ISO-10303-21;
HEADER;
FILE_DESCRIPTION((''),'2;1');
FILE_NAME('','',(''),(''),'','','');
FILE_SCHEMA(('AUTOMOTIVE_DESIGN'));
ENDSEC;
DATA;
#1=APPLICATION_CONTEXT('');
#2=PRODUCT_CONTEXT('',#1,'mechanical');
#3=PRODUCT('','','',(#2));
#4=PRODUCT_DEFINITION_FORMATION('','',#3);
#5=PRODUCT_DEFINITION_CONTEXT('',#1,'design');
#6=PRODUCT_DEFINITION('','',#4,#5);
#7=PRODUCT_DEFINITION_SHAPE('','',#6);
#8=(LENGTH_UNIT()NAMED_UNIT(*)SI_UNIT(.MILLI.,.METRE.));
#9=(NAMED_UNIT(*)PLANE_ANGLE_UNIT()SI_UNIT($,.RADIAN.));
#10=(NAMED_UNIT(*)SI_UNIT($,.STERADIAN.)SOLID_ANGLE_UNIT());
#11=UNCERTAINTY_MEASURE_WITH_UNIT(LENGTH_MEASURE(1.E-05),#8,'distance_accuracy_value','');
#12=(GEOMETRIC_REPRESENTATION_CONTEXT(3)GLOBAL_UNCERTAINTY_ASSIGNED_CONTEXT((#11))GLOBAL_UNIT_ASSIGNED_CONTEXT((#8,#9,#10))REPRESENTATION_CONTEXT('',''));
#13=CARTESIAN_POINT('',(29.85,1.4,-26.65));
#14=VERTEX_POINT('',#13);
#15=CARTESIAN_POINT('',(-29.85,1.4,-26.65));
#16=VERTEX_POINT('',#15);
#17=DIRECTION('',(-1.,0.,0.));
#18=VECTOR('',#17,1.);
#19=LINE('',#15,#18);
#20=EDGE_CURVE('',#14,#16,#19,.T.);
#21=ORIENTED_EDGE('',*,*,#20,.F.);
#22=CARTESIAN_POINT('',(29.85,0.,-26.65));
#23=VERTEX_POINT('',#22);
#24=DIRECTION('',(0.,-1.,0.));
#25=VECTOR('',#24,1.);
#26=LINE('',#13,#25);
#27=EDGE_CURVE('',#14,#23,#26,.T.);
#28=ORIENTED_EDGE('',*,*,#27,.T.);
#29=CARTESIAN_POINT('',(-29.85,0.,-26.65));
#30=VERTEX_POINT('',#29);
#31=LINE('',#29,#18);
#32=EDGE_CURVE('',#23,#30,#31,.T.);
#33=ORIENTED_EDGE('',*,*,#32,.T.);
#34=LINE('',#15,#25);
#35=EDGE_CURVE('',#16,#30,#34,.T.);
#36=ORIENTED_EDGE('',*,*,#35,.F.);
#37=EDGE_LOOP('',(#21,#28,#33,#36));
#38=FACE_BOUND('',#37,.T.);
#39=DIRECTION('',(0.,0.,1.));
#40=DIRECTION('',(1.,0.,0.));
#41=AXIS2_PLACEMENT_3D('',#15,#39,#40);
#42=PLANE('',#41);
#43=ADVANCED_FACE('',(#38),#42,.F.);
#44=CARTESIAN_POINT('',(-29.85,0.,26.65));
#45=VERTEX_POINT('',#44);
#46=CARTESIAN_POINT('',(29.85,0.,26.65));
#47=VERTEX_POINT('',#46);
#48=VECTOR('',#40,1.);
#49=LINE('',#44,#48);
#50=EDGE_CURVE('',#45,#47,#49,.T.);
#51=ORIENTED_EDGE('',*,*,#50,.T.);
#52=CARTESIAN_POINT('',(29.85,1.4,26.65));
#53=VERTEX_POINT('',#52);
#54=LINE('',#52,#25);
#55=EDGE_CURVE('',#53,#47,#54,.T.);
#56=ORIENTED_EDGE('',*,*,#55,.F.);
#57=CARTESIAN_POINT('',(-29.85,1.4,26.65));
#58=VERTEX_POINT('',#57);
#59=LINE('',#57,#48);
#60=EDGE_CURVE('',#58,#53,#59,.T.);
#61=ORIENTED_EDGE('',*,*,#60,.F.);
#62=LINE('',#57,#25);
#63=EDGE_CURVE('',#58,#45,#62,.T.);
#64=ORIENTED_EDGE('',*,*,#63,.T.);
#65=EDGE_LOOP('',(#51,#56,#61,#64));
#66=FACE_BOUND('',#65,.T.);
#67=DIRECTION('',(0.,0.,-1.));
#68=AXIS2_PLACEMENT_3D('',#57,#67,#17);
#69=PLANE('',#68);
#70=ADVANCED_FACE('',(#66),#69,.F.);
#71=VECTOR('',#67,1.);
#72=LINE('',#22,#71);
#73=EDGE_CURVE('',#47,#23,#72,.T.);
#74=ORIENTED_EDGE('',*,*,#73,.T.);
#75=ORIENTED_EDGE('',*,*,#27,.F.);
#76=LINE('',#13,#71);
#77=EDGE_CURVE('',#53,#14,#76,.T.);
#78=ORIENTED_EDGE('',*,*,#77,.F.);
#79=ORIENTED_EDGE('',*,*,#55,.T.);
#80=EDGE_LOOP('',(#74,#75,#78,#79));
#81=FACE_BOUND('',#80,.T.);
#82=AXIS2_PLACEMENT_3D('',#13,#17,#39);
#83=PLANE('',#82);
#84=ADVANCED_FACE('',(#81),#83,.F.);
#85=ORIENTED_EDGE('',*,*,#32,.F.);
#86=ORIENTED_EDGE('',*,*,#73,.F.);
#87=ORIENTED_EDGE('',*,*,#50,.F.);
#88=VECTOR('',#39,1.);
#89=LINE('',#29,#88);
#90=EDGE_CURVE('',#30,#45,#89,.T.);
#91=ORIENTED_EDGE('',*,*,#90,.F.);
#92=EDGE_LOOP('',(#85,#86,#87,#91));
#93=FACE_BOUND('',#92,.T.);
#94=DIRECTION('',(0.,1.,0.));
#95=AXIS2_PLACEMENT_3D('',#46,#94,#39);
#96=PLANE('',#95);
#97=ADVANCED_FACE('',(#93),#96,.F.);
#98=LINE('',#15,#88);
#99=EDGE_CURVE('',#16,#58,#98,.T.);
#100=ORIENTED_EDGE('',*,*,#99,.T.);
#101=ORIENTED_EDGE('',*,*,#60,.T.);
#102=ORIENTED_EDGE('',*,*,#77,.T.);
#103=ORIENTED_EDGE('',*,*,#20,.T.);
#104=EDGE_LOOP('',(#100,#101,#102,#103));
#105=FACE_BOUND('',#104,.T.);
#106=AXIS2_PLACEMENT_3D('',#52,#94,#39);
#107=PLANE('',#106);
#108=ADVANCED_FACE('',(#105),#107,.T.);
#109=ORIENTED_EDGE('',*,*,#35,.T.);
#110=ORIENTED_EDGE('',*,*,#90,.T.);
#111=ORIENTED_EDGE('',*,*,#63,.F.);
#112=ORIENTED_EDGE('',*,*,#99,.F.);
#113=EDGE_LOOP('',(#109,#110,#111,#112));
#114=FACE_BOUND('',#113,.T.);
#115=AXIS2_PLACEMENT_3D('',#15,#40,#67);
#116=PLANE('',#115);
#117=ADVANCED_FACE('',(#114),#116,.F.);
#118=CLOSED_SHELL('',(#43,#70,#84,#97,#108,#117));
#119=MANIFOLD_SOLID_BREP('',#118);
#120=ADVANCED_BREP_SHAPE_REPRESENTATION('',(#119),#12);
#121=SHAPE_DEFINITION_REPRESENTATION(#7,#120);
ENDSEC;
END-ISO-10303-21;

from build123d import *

# Parameters (mm, degrees)
SKETCH1_W      = 59.7
SKETCH1_H      = 53.3
EXTRUDE1_DEPTH = 1.4


with BuildPart() as part:
    # Sketch1 → Extrude1 (new body)
    with BuildSketch(Plane(origin=(0, 0, 0), x_dir=(1, 0, 0), z_dir=(0, 1, 0))):
        Rectangle(SKETCH1_W, SKETCH1_H)
    extrude(amount=EXTRUDE1_DEPTH)


solid = part.part
